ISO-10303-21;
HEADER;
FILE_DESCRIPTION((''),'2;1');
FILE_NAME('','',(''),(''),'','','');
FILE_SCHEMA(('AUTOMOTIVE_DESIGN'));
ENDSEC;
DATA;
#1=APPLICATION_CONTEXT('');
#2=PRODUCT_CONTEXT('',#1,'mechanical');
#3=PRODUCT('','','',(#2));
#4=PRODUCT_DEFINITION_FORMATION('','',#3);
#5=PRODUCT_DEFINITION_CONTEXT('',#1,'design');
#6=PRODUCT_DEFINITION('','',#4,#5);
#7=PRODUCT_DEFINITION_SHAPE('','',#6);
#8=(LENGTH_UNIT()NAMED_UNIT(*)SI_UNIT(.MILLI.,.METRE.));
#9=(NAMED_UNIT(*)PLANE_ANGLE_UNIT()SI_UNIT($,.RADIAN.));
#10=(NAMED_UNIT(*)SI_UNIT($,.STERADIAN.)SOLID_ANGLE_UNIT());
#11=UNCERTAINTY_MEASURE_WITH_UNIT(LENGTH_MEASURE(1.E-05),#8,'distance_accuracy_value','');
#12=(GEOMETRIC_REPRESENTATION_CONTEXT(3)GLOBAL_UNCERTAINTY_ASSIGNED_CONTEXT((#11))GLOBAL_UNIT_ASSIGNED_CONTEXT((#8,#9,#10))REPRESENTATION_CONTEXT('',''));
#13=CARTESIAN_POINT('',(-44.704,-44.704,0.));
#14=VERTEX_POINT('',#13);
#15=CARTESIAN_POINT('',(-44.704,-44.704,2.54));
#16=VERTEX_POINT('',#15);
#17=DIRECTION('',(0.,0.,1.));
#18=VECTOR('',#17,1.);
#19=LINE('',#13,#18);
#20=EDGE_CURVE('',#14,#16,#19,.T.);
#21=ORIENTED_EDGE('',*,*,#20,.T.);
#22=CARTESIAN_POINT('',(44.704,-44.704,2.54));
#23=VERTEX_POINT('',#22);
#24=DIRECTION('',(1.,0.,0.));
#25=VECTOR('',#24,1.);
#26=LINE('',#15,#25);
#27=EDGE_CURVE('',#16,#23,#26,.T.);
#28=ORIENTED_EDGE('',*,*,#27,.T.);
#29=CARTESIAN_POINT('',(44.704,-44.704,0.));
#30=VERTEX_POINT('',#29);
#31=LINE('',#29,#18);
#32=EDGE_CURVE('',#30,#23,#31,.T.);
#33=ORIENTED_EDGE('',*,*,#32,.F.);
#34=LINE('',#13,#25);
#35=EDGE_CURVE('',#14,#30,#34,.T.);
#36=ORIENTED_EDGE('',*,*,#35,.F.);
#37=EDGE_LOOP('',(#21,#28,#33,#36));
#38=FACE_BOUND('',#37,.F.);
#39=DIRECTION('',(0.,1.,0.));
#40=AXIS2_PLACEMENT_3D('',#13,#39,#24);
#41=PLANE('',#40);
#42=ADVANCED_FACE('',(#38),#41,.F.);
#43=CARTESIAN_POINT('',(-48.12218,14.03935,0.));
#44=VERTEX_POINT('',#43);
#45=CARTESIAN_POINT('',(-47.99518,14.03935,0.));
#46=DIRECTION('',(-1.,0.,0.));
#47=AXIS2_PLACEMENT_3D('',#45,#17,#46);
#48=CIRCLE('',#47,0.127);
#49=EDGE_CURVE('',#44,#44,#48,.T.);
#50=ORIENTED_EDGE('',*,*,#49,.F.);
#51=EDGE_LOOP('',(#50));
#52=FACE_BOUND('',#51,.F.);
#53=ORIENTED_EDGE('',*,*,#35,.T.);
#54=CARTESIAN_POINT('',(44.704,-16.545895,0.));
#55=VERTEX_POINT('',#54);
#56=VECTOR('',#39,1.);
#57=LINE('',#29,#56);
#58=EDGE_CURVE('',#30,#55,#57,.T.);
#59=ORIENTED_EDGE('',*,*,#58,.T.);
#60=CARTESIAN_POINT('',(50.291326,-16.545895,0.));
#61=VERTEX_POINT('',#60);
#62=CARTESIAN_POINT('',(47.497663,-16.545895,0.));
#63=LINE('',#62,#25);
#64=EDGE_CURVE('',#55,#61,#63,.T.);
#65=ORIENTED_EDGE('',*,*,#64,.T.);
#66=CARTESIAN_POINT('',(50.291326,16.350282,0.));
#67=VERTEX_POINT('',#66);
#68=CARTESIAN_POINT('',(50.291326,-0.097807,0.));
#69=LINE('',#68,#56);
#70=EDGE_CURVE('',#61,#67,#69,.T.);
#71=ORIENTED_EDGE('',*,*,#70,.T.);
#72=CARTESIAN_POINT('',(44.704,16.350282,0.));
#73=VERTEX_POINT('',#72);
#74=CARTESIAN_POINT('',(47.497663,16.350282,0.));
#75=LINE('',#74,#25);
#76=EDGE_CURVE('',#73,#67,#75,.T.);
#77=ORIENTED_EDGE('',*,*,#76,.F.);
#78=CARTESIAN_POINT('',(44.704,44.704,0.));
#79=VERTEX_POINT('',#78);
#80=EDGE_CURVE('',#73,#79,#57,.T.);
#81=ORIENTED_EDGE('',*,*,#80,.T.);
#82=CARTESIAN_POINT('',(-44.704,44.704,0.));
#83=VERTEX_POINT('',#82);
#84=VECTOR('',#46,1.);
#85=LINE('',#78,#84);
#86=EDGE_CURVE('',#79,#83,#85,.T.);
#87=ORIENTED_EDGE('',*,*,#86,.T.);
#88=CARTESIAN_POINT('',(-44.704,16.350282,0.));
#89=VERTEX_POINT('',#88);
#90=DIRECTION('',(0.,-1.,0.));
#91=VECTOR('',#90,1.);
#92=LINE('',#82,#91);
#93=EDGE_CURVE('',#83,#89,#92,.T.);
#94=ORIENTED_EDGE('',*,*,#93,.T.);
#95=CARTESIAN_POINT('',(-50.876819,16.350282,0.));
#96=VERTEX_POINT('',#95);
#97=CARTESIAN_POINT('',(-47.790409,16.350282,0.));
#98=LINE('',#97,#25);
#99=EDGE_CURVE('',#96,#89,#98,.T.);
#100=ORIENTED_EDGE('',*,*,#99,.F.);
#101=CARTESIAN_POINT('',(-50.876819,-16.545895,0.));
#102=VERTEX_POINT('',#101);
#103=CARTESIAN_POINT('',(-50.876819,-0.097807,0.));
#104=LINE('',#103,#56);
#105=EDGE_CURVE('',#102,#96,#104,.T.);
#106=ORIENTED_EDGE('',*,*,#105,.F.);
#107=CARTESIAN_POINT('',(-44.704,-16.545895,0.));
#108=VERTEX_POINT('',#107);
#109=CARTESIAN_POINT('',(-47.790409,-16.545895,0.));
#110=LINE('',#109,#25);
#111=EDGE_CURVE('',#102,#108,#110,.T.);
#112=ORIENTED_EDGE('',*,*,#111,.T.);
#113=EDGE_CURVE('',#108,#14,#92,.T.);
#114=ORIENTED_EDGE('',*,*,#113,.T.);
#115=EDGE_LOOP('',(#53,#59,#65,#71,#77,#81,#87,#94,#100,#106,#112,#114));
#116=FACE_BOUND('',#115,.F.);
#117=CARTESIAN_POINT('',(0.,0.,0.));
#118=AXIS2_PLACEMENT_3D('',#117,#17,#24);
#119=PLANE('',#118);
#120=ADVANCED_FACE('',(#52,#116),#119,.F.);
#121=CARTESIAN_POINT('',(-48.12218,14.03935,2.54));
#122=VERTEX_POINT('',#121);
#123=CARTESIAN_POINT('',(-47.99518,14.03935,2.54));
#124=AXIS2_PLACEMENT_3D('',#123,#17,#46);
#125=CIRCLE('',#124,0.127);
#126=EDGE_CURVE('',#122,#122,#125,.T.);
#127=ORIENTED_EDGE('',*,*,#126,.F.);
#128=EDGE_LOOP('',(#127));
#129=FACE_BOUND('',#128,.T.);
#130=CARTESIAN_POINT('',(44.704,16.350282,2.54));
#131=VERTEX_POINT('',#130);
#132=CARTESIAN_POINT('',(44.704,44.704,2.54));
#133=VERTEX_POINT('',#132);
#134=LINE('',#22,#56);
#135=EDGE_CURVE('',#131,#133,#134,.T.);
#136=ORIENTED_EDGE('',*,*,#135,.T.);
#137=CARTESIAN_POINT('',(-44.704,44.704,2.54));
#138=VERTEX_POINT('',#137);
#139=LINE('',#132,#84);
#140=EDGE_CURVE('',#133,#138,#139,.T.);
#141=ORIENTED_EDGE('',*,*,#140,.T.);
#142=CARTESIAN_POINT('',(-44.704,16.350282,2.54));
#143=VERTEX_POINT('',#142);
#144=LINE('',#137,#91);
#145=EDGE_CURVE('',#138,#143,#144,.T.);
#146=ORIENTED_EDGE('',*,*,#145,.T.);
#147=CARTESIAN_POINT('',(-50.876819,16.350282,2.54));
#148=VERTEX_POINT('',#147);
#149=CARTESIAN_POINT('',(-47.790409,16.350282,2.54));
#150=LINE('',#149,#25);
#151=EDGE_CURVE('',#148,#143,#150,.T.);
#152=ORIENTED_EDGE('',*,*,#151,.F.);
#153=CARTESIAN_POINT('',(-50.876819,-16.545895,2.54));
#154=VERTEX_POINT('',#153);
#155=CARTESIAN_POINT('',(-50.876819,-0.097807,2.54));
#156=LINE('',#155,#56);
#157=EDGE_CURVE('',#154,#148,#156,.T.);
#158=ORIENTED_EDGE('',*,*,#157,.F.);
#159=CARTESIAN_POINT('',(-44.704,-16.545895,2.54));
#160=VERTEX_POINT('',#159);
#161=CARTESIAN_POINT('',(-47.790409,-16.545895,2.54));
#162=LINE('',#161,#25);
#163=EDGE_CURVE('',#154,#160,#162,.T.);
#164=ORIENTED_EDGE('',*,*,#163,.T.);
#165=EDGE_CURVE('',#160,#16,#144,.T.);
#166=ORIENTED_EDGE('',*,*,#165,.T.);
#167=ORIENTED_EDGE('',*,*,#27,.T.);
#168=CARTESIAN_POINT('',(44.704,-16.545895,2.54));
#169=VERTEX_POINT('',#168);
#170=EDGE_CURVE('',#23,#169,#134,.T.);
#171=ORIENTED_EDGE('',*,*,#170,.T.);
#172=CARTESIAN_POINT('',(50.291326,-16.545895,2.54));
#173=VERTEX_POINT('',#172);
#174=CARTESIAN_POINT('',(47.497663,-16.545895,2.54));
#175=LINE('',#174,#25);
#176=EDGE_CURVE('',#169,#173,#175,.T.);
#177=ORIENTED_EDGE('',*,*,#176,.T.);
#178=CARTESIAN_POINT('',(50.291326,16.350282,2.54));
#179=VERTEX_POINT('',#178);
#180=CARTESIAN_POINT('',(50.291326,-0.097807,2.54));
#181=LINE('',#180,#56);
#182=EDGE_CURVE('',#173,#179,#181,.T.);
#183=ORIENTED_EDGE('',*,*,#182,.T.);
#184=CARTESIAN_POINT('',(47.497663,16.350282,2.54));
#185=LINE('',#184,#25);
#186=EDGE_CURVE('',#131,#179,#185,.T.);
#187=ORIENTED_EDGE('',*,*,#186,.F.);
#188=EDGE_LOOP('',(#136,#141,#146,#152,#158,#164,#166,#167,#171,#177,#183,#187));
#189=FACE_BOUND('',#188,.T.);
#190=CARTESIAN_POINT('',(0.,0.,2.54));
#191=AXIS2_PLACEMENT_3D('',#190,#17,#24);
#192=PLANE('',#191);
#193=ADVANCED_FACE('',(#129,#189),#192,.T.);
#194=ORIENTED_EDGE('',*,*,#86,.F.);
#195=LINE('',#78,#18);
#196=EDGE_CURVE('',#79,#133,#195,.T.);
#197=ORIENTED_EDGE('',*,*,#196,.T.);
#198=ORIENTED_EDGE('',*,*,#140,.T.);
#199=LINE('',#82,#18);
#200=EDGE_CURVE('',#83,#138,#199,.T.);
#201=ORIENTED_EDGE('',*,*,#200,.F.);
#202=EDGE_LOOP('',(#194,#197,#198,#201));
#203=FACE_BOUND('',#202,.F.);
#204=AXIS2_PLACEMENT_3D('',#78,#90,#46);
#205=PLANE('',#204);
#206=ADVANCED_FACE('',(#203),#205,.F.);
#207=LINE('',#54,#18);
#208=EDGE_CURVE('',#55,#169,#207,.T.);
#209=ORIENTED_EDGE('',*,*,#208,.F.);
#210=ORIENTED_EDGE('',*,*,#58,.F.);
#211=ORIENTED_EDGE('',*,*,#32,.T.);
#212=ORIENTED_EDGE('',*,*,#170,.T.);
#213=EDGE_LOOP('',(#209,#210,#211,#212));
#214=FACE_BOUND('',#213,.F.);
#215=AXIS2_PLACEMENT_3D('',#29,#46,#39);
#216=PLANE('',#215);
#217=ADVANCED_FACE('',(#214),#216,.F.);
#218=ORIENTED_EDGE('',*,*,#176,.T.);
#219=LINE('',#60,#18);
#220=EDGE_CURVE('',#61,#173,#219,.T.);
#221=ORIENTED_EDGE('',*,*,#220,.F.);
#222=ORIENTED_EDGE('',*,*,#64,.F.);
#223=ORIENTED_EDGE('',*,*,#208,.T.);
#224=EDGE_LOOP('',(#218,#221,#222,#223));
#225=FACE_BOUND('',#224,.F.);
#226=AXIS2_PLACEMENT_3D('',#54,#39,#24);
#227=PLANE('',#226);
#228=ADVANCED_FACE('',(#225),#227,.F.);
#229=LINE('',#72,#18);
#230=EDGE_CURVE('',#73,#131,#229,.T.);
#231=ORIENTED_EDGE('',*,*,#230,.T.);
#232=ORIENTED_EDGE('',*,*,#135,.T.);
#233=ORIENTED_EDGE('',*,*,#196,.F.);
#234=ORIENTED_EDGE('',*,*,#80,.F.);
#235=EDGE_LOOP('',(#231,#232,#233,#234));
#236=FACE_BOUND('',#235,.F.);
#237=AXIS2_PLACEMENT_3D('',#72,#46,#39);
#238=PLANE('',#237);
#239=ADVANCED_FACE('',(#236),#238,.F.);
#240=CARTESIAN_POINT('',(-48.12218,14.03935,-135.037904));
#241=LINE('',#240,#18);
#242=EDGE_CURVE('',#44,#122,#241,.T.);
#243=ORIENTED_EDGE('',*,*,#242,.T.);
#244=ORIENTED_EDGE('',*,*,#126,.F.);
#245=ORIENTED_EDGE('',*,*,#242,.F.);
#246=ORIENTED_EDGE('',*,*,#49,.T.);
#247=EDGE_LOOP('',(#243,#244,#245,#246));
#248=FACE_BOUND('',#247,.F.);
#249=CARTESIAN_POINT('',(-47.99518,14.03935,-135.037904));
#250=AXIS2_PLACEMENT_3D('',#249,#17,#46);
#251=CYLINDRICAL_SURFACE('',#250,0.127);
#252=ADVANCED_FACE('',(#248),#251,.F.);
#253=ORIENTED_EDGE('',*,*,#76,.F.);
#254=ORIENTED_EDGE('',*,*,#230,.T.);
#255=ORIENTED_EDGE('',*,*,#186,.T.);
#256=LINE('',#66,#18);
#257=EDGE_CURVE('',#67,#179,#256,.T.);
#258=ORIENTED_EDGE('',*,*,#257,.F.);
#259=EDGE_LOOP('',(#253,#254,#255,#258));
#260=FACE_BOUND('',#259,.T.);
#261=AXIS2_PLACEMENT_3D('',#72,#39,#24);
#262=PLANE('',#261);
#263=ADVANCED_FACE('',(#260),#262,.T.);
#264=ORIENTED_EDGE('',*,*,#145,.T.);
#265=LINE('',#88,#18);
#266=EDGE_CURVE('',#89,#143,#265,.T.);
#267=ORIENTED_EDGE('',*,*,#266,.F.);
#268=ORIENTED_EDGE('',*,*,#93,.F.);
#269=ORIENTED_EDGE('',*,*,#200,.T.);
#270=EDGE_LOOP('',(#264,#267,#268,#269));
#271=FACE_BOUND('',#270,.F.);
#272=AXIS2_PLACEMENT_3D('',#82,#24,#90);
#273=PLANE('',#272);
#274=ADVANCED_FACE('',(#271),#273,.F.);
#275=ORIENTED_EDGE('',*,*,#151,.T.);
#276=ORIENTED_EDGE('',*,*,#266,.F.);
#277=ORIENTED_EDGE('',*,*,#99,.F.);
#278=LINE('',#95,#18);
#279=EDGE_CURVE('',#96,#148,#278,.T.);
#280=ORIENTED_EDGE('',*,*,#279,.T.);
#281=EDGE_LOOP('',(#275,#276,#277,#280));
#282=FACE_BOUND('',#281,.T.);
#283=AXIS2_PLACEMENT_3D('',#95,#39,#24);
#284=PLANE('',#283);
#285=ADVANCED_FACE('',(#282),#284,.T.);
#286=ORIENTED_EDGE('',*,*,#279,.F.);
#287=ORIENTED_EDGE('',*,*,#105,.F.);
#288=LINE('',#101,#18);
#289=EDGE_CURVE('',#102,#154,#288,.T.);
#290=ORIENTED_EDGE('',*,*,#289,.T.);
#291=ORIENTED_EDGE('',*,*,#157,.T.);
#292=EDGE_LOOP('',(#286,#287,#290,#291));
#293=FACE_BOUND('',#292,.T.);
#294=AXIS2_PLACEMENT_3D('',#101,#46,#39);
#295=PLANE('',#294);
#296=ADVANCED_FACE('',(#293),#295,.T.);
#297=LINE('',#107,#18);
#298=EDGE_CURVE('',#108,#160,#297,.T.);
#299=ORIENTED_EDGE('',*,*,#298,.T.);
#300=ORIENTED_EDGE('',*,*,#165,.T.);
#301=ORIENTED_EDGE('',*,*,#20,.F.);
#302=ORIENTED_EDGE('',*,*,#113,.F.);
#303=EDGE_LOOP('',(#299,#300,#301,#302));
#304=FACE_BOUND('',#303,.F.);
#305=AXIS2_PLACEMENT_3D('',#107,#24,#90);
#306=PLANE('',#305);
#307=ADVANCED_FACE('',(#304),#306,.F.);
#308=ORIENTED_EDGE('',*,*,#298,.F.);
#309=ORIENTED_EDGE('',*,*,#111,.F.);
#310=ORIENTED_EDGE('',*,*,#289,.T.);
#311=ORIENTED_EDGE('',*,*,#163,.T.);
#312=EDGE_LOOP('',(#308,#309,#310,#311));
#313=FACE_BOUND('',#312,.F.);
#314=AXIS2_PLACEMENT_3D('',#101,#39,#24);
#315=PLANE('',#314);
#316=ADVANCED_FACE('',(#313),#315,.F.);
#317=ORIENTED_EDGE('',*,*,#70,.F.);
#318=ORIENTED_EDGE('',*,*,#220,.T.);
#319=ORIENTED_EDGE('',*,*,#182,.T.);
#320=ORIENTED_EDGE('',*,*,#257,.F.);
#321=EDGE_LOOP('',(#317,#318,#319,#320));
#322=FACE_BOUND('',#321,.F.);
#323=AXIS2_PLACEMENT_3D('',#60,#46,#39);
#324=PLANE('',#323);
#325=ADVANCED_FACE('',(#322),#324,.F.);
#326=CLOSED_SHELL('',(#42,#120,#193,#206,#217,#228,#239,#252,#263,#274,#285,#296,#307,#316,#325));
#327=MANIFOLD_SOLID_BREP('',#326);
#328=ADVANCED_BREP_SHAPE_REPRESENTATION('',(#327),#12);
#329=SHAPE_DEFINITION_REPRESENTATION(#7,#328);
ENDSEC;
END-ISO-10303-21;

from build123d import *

# Parameters (mm, degrees)
F0_W     = 6.1728185973
F0_H     = 32.8961778432
F0_W_2   = 5.587325897
F1_DEPTH = 2.54
F3_D     = 0.254


with BuildPart() as f1:
    # F0 (on Top) → F1 (new body)
    with BuildSketch(Plane.XY):
        Polygon((44.704, 44.704), (-44.704, 44.704), (-44.704, 16.3502823561), (-44.704, -16.5458954871), (-44.704, -44.704), (44.704, -44.704), (44.704, -16.5458954871), (44.704, 16.3502823561), align=None)
        with Locations((-47.7904092987, -0.0978065655)):
            Rectangle(F0_W, F0_H)
        with Locations((47.4976629485, -0.0978065655)):
            Rectangle(F0_W_2, F0_H)
    extrude(amount=F1_DEPTH)

    # F3 (through all)
    with Locations(Plane(origin=(0, 0, 0), x_dir=(1, 0, 0), z_dir=(0, 0, -1))):
        with Locations((-47.9951798916, -14.0393497422)):
            Hole(F3_D / 2)


solid = f1.part
